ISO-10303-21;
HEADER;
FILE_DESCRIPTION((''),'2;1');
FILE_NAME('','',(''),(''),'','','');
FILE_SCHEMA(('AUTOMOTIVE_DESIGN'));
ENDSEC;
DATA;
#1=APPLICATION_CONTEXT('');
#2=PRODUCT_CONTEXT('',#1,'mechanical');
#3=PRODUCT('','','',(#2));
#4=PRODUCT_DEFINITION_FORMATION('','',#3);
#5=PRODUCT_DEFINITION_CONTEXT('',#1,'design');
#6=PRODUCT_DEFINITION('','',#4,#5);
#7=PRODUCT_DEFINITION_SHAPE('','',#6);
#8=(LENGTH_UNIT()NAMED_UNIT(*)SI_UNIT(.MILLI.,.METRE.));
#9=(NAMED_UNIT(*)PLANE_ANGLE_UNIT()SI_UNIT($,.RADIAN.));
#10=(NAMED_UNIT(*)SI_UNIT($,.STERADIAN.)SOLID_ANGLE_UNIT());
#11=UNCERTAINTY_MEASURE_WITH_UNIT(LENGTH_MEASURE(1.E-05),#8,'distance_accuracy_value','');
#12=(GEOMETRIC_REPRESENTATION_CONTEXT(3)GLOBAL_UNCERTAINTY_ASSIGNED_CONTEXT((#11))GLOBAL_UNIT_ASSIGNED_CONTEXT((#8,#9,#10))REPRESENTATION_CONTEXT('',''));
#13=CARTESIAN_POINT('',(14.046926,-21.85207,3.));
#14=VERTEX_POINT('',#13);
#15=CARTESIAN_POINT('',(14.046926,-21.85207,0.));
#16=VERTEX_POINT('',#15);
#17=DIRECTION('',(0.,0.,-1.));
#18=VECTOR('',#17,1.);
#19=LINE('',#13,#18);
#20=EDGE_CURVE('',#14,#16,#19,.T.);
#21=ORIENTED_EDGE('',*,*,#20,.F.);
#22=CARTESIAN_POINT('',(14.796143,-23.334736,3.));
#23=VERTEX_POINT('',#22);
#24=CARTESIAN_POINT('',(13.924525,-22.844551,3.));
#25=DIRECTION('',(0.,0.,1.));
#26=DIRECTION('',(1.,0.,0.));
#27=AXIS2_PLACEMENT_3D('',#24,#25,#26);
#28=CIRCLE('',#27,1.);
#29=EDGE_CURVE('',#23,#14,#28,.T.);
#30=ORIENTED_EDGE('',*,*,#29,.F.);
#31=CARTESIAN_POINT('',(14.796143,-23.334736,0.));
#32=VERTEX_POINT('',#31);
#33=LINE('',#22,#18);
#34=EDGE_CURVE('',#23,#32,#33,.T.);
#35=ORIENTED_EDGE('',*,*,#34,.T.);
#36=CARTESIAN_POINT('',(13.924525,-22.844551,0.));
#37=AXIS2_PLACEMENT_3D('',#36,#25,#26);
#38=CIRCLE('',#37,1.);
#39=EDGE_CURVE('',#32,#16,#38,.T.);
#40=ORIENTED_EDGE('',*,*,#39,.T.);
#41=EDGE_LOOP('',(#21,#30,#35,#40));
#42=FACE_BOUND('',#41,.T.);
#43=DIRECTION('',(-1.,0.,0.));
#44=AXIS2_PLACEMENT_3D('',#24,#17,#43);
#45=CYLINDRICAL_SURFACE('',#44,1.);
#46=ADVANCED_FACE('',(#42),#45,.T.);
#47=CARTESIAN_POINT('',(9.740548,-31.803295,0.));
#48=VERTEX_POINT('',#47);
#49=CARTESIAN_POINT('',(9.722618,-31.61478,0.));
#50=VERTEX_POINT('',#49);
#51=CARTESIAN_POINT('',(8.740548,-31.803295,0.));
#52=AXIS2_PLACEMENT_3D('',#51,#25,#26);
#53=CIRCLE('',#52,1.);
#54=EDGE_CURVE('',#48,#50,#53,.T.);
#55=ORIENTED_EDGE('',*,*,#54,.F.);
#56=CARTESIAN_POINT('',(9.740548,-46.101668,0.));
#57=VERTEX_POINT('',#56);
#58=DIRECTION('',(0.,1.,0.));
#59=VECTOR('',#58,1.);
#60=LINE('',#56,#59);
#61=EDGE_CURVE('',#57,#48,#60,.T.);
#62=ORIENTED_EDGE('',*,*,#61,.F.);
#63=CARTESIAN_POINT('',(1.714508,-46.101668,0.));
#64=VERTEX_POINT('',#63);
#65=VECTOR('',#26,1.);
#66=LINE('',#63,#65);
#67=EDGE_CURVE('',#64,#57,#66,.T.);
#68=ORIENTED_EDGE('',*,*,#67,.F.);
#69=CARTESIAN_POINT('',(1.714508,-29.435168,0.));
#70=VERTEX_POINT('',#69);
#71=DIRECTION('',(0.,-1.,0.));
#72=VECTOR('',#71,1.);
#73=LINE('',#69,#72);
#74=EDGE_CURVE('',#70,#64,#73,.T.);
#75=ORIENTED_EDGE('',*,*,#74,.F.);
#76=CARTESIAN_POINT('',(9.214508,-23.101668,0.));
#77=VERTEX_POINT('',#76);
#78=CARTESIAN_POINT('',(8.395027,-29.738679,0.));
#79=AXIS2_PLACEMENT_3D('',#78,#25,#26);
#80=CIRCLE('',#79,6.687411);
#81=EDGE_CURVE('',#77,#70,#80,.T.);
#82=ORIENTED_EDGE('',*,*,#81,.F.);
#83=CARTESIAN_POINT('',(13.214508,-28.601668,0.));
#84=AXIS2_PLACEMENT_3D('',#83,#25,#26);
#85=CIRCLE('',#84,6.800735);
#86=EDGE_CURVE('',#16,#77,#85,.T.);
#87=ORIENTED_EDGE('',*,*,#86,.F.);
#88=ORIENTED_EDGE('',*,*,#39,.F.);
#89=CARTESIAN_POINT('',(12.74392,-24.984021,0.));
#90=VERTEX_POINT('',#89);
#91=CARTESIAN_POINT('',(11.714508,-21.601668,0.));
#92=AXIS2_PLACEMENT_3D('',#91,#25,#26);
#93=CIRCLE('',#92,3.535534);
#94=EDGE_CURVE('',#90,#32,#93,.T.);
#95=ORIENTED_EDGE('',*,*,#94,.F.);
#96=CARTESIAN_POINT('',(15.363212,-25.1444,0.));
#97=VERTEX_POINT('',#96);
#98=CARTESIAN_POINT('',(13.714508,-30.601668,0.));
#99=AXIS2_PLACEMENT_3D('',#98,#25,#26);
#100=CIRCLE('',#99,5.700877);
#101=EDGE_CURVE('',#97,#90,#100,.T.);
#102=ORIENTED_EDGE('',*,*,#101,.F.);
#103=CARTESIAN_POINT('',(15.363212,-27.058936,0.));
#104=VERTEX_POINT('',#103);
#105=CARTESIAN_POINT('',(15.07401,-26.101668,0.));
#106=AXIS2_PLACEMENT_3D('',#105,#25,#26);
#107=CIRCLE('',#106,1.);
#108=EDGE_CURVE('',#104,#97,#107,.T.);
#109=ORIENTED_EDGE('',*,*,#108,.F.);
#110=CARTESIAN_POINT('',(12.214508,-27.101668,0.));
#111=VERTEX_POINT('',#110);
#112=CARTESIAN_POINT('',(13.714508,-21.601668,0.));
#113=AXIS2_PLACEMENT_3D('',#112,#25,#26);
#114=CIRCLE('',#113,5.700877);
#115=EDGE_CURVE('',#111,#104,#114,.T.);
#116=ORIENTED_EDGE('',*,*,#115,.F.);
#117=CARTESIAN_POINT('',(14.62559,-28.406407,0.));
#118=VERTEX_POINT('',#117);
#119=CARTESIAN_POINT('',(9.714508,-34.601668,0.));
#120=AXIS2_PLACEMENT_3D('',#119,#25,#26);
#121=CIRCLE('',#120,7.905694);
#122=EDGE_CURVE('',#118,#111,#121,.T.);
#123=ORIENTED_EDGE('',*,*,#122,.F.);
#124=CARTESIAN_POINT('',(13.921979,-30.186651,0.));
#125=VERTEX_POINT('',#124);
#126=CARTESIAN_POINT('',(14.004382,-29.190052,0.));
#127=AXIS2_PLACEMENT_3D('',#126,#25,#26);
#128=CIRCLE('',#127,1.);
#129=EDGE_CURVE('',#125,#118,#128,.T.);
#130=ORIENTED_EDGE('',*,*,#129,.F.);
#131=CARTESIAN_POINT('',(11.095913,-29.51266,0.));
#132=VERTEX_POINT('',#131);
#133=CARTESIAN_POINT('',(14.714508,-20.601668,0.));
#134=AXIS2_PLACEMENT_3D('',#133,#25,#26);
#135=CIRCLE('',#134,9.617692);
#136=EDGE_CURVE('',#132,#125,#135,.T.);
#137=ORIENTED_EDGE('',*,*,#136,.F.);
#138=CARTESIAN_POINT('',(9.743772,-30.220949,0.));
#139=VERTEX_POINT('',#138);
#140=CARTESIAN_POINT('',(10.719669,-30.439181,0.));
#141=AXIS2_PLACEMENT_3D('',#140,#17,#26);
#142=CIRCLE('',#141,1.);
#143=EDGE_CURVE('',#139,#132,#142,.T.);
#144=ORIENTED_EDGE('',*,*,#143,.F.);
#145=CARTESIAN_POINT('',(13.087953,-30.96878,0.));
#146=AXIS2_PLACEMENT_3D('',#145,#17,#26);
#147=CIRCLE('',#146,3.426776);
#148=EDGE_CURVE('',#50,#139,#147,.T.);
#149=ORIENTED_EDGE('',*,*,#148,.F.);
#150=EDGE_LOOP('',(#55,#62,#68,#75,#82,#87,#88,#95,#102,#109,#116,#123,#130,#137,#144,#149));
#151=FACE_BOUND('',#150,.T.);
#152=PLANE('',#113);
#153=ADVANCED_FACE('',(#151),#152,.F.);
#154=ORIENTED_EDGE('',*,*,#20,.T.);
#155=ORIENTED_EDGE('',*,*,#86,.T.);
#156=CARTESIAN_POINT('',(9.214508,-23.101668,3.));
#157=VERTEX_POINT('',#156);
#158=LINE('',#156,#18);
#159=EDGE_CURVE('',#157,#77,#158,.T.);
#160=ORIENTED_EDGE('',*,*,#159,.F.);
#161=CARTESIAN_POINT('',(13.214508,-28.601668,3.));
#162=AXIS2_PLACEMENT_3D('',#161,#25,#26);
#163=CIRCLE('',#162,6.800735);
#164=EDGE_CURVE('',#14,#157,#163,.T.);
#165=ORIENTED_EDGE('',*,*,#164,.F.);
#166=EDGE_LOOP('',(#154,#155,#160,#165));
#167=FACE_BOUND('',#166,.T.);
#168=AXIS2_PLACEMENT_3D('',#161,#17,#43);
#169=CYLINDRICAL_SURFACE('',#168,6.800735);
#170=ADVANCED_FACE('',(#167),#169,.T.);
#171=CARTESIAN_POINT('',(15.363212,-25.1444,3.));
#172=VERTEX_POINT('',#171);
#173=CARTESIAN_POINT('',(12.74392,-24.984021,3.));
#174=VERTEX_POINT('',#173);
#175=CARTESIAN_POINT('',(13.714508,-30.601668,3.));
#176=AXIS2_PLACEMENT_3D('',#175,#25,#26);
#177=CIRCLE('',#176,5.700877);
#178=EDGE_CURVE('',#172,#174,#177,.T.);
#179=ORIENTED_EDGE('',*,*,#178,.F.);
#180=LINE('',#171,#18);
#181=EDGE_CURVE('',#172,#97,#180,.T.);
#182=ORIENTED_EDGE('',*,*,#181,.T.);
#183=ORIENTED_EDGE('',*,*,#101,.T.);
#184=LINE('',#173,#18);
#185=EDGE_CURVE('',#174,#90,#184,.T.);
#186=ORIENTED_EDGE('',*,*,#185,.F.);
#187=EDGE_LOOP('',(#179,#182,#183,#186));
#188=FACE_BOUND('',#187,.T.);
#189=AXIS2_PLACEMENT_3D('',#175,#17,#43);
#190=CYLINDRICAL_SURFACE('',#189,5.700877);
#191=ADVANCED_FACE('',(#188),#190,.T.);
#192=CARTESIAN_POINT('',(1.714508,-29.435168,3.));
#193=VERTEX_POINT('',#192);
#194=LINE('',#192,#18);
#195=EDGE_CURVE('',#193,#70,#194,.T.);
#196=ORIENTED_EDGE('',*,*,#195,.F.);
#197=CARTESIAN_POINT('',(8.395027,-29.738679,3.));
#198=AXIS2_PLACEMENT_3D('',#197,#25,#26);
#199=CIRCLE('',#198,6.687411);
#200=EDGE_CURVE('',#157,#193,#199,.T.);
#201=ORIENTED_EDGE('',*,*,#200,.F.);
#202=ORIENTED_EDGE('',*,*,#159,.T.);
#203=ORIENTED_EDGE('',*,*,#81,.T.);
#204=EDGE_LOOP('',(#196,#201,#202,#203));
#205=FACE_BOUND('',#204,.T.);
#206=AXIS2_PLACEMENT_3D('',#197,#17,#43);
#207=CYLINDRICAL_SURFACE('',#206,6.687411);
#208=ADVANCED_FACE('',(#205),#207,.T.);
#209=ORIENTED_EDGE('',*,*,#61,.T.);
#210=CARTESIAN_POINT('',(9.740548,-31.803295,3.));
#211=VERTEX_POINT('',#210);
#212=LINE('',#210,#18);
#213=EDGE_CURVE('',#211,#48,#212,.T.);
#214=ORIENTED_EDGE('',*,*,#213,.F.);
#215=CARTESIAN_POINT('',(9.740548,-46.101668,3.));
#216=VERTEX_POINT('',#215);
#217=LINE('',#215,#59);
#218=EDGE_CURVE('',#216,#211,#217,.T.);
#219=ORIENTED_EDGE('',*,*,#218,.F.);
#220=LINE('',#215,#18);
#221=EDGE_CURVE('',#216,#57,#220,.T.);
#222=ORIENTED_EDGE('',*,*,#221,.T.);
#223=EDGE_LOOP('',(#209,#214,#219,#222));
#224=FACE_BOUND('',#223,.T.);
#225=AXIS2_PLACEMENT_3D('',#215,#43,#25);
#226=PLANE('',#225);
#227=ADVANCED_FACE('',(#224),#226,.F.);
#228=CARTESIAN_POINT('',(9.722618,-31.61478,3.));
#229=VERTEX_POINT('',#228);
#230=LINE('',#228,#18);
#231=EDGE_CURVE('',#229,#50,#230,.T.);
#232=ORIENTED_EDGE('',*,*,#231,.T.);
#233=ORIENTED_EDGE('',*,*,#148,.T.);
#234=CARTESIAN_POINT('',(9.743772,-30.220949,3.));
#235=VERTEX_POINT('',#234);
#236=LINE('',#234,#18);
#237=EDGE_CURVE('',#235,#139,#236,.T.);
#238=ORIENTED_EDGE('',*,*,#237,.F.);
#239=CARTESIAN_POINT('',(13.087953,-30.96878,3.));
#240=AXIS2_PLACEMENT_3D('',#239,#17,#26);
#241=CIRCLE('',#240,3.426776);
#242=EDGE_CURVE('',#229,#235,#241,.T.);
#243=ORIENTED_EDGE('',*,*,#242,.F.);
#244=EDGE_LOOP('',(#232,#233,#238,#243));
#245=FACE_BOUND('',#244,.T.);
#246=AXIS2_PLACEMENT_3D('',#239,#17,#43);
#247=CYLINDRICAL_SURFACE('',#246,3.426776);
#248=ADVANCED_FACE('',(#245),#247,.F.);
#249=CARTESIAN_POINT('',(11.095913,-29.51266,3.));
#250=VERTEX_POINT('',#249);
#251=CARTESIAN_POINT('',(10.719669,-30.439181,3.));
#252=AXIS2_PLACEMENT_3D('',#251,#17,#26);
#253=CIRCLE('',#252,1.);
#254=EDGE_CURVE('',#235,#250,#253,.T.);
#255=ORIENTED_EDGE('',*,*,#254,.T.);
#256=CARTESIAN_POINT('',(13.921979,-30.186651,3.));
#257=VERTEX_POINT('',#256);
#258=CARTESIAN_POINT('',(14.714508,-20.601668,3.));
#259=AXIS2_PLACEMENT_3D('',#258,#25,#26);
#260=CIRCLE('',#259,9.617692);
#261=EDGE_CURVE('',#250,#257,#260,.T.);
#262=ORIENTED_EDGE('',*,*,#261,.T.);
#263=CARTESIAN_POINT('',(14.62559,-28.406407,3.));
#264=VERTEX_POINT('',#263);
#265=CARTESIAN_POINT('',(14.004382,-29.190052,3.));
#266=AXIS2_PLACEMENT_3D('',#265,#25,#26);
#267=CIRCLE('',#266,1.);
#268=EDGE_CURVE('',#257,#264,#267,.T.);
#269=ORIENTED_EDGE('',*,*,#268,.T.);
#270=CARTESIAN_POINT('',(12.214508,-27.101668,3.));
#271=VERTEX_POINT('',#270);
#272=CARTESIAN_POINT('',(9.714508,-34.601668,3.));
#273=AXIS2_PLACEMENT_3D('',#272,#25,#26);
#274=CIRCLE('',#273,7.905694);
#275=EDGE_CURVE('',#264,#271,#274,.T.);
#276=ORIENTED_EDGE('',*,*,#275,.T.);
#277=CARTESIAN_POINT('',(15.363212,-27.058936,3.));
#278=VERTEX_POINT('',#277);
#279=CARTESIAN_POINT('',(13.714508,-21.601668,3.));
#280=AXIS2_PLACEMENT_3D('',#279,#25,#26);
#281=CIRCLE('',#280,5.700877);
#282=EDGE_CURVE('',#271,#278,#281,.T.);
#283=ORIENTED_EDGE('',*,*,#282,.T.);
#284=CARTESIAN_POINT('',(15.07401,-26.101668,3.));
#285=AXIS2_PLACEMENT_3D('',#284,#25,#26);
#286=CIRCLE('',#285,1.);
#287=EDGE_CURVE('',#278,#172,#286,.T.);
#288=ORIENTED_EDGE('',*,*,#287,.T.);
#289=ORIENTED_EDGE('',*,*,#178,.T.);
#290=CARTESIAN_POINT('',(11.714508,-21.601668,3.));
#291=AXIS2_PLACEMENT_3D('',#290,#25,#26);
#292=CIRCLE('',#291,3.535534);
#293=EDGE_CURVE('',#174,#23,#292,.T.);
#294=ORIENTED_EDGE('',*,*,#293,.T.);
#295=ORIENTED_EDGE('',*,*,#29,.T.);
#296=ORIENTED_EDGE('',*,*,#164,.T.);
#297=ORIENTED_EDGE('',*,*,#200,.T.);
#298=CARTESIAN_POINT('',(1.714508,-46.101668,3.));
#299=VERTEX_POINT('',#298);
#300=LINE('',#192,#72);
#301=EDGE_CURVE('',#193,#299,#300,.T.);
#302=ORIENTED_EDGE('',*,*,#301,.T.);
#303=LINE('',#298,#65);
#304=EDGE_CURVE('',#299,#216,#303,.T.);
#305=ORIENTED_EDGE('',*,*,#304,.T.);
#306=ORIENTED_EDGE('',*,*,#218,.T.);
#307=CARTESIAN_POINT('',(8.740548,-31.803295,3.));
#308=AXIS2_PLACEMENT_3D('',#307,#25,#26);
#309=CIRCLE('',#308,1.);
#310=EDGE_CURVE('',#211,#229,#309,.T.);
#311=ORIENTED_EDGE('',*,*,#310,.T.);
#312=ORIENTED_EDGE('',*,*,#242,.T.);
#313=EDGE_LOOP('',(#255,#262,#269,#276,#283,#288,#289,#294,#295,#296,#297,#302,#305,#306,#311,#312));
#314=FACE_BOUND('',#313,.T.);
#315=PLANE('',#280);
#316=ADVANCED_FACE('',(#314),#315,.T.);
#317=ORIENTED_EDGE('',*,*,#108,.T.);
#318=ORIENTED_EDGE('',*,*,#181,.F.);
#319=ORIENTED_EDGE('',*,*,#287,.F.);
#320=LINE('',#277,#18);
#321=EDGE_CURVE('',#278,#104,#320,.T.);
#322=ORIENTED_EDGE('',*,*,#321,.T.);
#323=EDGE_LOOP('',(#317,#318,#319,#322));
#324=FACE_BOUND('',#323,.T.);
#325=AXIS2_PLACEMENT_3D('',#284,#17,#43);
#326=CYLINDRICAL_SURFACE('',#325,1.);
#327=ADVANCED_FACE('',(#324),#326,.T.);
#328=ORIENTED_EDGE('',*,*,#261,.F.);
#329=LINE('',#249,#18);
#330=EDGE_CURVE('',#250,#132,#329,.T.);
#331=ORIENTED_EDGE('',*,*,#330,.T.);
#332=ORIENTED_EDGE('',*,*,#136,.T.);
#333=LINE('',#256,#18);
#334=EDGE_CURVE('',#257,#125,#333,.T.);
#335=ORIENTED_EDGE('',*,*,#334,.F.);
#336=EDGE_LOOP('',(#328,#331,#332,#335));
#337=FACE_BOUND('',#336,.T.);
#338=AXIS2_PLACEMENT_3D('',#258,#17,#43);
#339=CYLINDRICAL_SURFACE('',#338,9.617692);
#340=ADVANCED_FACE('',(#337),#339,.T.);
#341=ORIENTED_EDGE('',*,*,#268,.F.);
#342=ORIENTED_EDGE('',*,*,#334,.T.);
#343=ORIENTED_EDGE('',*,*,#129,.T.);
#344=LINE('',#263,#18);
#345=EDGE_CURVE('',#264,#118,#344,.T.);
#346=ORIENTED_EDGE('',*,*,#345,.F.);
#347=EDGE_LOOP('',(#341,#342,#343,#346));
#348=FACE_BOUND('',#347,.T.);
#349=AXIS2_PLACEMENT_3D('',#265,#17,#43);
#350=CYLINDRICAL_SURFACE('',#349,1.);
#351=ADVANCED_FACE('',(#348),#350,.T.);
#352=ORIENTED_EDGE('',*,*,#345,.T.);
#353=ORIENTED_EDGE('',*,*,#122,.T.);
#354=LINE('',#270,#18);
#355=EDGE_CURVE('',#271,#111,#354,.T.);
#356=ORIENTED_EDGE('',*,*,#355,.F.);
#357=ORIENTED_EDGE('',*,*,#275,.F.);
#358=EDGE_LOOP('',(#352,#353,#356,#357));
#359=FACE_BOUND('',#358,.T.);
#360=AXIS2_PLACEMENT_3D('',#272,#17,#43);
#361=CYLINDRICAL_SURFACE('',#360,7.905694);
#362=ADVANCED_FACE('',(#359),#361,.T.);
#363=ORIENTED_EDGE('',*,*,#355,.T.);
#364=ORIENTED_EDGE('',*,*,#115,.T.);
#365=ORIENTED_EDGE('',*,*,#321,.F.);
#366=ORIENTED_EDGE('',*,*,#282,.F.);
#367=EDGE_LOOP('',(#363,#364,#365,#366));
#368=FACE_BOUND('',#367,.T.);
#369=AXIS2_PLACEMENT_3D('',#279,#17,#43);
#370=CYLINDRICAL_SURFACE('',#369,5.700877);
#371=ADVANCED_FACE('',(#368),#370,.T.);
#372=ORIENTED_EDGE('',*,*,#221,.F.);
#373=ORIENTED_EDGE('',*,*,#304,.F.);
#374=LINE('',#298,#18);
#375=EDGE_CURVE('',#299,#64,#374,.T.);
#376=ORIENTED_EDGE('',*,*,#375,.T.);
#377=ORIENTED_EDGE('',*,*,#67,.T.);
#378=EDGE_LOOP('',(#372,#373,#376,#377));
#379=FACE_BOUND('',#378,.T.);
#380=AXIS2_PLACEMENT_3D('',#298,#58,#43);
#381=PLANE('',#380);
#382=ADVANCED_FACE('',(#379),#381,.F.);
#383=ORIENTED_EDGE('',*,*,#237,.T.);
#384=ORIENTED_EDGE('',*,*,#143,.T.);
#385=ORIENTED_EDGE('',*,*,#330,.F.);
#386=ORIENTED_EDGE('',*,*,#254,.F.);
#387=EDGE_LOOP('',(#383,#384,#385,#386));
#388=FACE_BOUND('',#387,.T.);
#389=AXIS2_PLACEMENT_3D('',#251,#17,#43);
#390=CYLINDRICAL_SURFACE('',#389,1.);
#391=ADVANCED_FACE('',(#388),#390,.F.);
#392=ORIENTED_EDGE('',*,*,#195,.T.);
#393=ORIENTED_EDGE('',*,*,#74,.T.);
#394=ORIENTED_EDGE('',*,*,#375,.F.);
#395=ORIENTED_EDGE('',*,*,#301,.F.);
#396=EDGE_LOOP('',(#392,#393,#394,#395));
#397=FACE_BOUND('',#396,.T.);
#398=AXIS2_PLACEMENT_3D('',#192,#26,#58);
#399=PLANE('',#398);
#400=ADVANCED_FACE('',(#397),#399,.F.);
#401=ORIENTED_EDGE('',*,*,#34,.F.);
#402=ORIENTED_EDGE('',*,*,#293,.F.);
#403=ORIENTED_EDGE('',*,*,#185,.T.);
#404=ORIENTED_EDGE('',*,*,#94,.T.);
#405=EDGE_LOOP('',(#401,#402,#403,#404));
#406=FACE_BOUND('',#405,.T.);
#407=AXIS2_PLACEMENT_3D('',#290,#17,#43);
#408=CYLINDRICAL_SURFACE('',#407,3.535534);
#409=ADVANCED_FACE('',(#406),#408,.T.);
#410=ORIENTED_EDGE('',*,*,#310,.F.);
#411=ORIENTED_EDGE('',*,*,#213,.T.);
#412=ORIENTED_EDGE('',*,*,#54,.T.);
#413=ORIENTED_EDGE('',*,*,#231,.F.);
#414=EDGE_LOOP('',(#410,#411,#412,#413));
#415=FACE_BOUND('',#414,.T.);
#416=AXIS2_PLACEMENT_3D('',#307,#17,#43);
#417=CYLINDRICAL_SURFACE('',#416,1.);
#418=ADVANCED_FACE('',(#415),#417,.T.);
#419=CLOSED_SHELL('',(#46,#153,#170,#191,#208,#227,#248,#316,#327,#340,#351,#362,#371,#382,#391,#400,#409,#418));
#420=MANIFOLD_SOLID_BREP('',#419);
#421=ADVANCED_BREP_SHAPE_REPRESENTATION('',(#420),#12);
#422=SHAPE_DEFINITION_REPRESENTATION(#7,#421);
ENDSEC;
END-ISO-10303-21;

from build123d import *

# Parameters (mm, degrees)
SALIENTE_EXTRUIR1_DEPTH = 3


with BuildPart() as part:
    # Model → Saliente-Extruir1 (new body)
    with BuildSketch(Plane.XY):
        with BuildLine():
            Line((9.740547774, -46.101668317), (9.740547774, -31.803295278))
            ThreePointArc((9.740547774, -31.803295278), (9.736055246, -31.708612265), (9.722618028, -31.614779984))
            ThreePointArc((9.722618028, -31.614779984), (9.661571414, -30.916777437), (9.743772485, -30.220948989))
            ThreePointArc((9.743772485, -30.220948989), (10.255649641, -29.553355931), (11.095913023, -29.512659959))
            ThreePointArc((11.095913023, -29.512659959), (12.483349153, -29.956983983), (13.921978985, -30.186651266))
            ThreePointArc((13.921978985, -30.186651266), (14.934379735, -29.557617963), (14.625590492, -28.406406697))
            ThreePointArc((14.625590492, -28.406406697), (13.477036488, -27.648728099), (12.214507774, -27.101668317))
            ThreePointArc((12.214507774, -27.101668317), (13.791868666, -27.302020525), (15.363211574, -27.058936478))
            ThreePointArc((15.363211574, -27.058936478), (16.074009796, -26.101668317), (15.363211574, -25.144400157))
            ThreePointArc((15.363211574, -25.144400157), (14.062919208, -24.911447806), (12.743919539, -24.984021259))
            ThreePointArc((12.743919539, -24.984021259), (13.929279153, -24.357532563), (14.796143037, -23.334736147))
            ThreePointArc((14.796143037, -23.334736147), (14.817045797, -22.393544381), (14.0469262, -21.852069843))
            ThreePointArc((14.0469262, -21.852069843), (11.511931096, -22.017503021), (9.214507774, -23.101668317))
            ThreePointArc((9.214507774, -23.101668317), (4.080372041, -24.629353346), (1.714507774, -29.435168317))
            Line((1.714507774, -29.435168317), (1.714507774, -46.101668317))
            Line((1.714507774, -46.101668317), (9.740547774, -46.101668317))
        make_face()
    extrude(amount=SALIENTE_EXTRUIR1_DEPTH)


solid = part.part
